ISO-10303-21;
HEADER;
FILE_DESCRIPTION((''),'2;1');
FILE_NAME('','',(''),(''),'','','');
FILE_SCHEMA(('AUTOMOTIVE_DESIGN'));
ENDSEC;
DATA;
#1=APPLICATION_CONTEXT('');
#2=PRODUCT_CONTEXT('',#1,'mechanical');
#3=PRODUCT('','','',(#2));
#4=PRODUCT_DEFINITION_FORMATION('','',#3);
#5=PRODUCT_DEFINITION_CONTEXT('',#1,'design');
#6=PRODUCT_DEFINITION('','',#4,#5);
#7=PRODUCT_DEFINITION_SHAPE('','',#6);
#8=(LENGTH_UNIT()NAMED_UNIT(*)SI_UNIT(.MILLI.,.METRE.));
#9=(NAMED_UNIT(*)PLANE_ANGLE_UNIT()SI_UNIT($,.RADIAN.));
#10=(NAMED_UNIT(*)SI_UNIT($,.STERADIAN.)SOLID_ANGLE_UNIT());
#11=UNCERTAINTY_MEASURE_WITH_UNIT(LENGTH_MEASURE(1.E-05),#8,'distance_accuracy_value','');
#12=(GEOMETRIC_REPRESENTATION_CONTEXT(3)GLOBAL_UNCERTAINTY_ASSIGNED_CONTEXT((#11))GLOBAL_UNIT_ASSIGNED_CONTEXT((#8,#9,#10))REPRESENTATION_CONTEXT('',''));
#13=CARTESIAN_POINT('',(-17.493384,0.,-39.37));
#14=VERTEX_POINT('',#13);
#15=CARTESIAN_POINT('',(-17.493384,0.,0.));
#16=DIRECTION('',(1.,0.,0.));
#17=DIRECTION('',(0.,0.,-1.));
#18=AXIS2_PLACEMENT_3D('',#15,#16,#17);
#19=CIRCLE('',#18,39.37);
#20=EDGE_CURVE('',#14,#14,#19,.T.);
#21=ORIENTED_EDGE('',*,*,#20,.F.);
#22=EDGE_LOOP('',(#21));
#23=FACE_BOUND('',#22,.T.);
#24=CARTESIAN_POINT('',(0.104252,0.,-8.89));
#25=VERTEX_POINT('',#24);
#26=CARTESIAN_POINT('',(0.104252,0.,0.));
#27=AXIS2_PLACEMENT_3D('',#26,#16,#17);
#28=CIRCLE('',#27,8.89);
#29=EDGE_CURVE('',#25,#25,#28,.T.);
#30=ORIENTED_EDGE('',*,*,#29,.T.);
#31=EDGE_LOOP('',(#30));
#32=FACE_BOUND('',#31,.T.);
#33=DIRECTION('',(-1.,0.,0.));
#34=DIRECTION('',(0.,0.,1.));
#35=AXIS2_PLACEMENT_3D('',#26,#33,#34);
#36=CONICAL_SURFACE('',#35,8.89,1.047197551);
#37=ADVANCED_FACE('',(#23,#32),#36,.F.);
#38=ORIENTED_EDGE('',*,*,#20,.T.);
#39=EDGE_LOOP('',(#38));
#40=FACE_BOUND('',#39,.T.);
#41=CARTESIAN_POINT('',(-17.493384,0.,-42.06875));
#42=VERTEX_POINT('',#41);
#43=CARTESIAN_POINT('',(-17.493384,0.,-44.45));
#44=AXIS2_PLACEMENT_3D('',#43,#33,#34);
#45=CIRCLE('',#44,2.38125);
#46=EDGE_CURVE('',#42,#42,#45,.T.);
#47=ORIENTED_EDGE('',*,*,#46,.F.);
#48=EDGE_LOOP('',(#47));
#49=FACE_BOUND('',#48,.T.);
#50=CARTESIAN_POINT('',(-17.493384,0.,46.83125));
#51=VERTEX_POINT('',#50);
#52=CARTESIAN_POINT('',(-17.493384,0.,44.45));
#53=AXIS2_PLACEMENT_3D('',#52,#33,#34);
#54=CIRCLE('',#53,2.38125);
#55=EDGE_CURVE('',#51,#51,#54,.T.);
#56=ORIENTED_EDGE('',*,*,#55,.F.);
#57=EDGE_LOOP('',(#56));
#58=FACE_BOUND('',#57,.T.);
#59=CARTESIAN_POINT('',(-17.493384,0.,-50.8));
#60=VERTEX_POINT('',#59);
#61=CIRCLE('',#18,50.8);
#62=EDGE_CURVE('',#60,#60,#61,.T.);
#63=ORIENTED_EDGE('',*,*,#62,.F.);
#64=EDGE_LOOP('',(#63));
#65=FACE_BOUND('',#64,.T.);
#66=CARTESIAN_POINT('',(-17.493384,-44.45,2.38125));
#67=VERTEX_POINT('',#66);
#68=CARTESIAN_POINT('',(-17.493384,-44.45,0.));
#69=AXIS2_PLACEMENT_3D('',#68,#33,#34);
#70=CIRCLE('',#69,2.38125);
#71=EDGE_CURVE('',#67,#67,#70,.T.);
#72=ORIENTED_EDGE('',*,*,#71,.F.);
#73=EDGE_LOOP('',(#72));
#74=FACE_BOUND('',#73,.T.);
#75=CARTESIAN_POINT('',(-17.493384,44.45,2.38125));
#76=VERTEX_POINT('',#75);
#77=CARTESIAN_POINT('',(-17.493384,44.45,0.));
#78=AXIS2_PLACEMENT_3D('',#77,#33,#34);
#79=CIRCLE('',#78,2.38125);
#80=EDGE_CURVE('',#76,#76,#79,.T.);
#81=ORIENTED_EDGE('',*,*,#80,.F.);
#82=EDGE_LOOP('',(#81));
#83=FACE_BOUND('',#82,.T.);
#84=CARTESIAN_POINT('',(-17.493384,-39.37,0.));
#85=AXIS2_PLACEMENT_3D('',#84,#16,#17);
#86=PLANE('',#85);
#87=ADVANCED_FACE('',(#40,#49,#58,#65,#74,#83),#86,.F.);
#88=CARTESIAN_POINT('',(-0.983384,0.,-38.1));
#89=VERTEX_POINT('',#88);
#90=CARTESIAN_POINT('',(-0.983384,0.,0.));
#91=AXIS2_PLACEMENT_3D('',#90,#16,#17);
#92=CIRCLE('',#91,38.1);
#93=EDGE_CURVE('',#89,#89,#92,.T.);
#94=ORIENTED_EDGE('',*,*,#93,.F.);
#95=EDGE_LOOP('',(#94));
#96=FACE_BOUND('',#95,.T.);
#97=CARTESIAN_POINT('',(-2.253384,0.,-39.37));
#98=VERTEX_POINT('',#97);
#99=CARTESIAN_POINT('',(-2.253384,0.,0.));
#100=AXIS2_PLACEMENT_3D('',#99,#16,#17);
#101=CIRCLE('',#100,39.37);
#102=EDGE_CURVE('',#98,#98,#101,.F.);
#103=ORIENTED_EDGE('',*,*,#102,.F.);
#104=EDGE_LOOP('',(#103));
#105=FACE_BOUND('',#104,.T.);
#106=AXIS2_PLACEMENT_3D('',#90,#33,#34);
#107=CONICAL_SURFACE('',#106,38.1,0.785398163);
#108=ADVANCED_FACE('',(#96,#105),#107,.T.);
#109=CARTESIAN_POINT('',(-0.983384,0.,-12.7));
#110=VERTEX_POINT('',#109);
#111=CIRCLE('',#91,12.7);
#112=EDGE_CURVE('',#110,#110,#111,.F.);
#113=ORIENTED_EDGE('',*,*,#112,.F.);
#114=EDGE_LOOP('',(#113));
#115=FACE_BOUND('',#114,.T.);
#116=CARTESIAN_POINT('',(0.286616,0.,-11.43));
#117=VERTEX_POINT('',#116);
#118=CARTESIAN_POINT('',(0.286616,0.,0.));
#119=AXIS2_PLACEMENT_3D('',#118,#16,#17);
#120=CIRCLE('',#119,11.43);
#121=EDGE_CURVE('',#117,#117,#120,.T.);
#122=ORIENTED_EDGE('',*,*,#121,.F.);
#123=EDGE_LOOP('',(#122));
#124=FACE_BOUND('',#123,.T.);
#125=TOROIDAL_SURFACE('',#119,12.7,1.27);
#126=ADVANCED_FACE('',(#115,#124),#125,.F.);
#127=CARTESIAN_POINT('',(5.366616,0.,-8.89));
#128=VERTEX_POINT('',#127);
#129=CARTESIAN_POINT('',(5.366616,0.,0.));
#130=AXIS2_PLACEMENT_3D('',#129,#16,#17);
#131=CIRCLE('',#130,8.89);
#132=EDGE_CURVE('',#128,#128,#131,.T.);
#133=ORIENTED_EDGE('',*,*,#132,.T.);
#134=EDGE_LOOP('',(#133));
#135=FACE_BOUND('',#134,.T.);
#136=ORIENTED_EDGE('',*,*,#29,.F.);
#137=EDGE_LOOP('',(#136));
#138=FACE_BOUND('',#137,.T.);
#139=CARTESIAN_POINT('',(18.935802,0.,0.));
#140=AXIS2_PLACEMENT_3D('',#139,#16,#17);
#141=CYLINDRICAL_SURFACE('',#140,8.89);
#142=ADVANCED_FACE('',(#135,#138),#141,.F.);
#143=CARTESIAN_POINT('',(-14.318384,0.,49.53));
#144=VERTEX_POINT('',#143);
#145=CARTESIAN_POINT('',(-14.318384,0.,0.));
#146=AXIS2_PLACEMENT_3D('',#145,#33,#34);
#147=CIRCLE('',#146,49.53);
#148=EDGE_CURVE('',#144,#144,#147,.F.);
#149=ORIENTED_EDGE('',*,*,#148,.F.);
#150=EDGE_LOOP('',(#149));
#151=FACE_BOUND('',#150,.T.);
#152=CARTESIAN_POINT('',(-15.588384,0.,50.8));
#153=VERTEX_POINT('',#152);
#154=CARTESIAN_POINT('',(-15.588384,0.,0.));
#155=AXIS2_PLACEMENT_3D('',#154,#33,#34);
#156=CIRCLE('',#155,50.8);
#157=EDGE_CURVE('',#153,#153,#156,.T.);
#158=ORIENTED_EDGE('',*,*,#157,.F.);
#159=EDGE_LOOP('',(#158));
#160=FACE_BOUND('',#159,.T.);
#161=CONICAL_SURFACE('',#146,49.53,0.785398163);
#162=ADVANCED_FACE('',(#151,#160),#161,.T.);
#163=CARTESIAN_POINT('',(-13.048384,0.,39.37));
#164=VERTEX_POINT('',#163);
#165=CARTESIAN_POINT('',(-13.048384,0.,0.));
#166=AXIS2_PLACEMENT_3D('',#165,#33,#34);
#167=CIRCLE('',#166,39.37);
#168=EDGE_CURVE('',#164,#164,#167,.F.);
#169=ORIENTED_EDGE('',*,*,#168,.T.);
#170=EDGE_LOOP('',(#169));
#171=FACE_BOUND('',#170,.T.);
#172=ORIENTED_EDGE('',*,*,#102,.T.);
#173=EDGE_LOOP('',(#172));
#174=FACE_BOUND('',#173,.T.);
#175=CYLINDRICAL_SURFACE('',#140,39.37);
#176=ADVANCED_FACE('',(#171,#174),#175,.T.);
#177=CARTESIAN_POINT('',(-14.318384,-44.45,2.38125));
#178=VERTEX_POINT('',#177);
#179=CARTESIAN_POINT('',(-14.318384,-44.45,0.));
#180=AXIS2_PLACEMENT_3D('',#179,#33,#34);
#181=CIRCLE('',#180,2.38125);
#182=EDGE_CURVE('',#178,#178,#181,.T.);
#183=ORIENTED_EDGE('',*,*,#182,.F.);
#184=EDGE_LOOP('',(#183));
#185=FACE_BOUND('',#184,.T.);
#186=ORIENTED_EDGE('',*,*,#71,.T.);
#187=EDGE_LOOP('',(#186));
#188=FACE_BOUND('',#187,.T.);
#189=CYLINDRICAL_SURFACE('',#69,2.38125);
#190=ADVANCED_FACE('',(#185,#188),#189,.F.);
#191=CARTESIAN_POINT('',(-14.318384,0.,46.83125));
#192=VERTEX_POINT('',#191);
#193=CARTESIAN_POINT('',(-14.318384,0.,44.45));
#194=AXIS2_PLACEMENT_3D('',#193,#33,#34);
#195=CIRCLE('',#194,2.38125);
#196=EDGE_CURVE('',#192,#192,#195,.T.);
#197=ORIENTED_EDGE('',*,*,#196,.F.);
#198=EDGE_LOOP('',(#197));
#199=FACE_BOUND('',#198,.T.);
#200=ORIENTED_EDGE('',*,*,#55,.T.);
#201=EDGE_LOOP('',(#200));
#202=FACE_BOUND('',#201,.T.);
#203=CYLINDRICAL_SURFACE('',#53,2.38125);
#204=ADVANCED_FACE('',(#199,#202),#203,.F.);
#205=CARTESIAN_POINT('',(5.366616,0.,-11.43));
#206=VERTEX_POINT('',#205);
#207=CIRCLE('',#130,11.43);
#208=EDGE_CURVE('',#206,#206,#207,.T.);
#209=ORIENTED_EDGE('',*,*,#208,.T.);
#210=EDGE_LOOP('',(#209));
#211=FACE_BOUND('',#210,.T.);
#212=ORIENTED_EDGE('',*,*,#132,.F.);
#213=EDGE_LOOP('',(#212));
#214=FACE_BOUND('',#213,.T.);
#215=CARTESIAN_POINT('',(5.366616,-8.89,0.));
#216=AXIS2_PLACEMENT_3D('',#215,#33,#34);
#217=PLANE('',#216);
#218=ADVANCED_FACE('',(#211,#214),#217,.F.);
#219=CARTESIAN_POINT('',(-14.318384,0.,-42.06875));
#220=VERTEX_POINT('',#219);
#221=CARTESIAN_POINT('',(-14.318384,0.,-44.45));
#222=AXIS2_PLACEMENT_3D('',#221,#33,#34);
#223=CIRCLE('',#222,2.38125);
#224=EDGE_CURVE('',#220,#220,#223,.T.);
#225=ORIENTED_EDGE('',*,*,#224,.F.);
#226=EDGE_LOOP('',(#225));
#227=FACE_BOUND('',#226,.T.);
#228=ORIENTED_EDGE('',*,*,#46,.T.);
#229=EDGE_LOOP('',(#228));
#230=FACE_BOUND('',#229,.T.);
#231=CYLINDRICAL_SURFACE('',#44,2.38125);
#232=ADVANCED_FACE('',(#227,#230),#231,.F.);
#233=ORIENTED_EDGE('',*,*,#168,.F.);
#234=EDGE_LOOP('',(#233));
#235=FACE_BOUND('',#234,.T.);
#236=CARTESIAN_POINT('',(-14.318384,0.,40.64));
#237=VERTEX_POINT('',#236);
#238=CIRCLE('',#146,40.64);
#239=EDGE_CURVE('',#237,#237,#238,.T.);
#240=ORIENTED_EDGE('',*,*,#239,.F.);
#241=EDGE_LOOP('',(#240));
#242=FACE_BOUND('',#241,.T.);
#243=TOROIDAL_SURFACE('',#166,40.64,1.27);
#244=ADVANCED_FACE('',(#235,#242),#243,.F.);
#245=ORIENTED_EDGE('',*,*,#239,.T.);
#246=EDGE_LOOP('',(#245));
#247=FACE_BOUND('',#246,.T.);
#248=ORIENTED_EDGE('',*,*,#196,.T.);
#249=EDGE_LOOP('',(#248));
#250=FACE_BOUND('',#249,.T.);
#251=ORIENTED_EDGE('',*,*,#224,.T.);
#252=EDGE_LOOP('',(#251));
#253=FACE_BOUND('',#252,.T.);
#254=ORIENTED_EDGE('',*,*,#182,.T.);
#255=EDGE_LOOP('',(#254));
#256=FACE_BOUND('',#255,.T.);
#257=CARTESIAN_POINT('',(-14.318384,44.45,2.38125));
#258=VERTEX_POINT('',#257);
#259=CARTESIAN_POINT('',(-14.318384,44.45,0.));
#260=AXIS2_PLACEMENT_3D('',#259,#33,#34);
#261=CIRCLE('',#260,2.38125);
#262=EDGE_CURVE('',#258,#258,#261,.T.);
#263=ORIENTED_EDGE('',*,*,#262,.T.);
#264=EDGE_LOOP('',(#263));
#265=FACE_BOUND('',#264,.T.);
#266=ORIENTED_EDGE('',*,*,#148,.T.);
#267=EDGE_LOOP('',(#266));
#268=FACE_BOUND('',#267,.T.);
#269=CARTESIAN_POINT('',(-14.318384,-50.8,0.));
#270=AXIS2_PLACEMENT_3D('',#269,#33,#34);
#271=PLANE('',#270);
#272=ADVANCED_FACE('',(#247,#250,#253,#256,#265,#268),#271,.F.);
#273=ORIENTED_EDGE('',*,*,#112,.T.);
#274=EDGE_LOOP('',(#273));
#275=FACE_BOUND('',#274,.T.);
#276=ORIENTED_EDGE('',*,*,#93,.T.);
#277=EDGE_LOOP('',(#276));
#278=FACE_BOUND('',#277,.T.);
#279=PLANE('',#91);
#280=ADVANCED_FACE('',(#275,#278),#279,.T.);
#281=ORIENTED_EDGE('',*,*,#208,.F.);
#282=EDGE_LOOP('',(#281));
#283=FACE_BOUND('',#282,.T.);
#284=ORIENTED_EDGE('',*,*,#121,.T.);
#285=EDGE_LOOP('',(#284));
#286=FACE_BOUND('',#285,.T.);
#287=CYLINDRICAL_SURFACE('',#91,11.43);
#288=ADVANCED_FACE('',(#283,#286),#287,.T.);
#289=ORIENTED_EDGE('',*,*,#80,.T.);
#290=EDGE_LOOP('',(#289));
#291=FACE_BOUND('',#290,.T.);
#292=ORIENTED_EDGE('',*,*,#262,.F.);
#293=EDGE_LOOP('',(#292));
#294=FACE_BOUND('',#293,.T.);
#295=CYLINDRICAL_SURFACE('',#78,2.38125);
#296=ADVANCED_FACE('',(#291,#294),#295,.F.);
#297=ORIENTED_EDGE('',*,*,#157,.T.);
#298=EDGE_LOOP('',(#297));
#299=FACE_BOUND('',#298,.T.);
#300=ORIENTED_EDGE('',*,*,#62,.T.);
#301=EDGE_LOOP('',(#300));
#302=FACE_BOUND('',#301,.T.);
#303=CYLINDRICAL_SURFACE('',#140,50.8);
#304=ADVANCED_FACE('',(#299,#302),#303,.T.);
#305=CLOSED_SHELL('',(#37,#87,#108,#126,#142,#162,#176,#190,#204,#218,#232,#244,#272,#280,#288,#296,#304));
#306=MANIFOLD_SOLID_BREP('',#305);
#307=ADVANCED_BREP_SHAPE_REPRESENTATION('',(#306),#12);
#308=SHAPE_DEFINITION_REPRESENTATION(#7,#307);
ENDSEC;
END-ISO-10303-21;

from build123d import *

# Parameters (mm, degrees)
FILLET1_R                          = 1.27
SKETCH3_R                          = 39.37
SKETCH3_R_2                        = 11.43
CUT_EXTRUDE1_DEPTH                 = 6.35
CHAMFER1_SIZE                      = 1.27
FILLET2_R                          = 1.27
F_3_16_0_1875_DIAMETER_HOLE1_D     = 4.7625
F_3_16_0_1875_DIAMETER_HOLE1_DEPTH = 13.97
F_3_16_0_1875_DIAMETER_HOLE1_TIP   = 1.430799349


with BuildPart() as part:
    # Sketch1 → Revolve1 (revolve)
    with BuildSketch(Plane.XY):
        Polygon((-17.49338415, -39.37), (-17.49338415, -50.8), (-14.31838415, -50.8), (-14.31838415, -39.37), (5.36661585, -39.37), (5.36661585, -8.89), (0.104252055, -8.89), align=None)
    revolve(axis=Axis((18.935801868, 0, 0), (-1, 0, 0)))

    # Fillet1
    fillet1_edges = [part.edges().sort_by_distance(p)[0] for p in [
        (-14.31838415, 39.37, 0),
    ]]
    fillet(fillet1_edges, radius=FILLET1_R)

    # Sketch3 → Cut-Extrude1 (cut)
    with BuildSketch(Plane(origin=(5.36661585, 0, 0), x_dir=(0, 0, -1), z_dir=(1, 0, 0))):
        Circle(SKETCH3_R)
        Circle(SKETCH3_R_2, mode=Mode.SUBTRACT)
    extrude(amount=-CUT_EXTRUDE1_DEPTH, mode=Mode.SUBTRACT)

    # Chamfer1
    chamfer1_edges = [part.edges().sort_by_distance(p)[0] for p in [
        (-0.98338415, 39.37, 0),
        (-14.31838415, 50.8, 0),
    ]]
    chamfer(chamfer1_edges, length=CHAMFER1_SIZE)

    # Fillet2
    fillet2_edges = [part.edges().sort_by_distance(p)[0] for p in [
        (-0.98338415, 0, 11.43),
    ]]
    fillet(fillet2_edges, radius=FILLET2_R)

    # 3/16 (0.1875) Diameter Hole1
    with Locations(Plane.ZY.offset(17.49338415)):
        with Locations((-44.45, 0), (0, 44.45), (44.45, 0), (0, -44.45)):
            Hole(F_3_16_0_1875_DIAMETER_HOLE1_D / 2, depth=F_3_16_0_1875_DIAMETER_HOLE1_DEPTH)
            with Locations((0, 0, -(F_3_16_0_1875_DIAMETER_HOLE1_DEPTH + F_3_16_0_1875_DIAMETER_HOLE1_TIP / 2))):  # 118° drill point
                Cone(0, F_3_16_0_1875_DIAMETER_HOLE1_D / 2, F_3_16_0_1875_DIAMETER_HOLE1_TIP, mode=Mode.SUBTRACT)


solid = part.part
